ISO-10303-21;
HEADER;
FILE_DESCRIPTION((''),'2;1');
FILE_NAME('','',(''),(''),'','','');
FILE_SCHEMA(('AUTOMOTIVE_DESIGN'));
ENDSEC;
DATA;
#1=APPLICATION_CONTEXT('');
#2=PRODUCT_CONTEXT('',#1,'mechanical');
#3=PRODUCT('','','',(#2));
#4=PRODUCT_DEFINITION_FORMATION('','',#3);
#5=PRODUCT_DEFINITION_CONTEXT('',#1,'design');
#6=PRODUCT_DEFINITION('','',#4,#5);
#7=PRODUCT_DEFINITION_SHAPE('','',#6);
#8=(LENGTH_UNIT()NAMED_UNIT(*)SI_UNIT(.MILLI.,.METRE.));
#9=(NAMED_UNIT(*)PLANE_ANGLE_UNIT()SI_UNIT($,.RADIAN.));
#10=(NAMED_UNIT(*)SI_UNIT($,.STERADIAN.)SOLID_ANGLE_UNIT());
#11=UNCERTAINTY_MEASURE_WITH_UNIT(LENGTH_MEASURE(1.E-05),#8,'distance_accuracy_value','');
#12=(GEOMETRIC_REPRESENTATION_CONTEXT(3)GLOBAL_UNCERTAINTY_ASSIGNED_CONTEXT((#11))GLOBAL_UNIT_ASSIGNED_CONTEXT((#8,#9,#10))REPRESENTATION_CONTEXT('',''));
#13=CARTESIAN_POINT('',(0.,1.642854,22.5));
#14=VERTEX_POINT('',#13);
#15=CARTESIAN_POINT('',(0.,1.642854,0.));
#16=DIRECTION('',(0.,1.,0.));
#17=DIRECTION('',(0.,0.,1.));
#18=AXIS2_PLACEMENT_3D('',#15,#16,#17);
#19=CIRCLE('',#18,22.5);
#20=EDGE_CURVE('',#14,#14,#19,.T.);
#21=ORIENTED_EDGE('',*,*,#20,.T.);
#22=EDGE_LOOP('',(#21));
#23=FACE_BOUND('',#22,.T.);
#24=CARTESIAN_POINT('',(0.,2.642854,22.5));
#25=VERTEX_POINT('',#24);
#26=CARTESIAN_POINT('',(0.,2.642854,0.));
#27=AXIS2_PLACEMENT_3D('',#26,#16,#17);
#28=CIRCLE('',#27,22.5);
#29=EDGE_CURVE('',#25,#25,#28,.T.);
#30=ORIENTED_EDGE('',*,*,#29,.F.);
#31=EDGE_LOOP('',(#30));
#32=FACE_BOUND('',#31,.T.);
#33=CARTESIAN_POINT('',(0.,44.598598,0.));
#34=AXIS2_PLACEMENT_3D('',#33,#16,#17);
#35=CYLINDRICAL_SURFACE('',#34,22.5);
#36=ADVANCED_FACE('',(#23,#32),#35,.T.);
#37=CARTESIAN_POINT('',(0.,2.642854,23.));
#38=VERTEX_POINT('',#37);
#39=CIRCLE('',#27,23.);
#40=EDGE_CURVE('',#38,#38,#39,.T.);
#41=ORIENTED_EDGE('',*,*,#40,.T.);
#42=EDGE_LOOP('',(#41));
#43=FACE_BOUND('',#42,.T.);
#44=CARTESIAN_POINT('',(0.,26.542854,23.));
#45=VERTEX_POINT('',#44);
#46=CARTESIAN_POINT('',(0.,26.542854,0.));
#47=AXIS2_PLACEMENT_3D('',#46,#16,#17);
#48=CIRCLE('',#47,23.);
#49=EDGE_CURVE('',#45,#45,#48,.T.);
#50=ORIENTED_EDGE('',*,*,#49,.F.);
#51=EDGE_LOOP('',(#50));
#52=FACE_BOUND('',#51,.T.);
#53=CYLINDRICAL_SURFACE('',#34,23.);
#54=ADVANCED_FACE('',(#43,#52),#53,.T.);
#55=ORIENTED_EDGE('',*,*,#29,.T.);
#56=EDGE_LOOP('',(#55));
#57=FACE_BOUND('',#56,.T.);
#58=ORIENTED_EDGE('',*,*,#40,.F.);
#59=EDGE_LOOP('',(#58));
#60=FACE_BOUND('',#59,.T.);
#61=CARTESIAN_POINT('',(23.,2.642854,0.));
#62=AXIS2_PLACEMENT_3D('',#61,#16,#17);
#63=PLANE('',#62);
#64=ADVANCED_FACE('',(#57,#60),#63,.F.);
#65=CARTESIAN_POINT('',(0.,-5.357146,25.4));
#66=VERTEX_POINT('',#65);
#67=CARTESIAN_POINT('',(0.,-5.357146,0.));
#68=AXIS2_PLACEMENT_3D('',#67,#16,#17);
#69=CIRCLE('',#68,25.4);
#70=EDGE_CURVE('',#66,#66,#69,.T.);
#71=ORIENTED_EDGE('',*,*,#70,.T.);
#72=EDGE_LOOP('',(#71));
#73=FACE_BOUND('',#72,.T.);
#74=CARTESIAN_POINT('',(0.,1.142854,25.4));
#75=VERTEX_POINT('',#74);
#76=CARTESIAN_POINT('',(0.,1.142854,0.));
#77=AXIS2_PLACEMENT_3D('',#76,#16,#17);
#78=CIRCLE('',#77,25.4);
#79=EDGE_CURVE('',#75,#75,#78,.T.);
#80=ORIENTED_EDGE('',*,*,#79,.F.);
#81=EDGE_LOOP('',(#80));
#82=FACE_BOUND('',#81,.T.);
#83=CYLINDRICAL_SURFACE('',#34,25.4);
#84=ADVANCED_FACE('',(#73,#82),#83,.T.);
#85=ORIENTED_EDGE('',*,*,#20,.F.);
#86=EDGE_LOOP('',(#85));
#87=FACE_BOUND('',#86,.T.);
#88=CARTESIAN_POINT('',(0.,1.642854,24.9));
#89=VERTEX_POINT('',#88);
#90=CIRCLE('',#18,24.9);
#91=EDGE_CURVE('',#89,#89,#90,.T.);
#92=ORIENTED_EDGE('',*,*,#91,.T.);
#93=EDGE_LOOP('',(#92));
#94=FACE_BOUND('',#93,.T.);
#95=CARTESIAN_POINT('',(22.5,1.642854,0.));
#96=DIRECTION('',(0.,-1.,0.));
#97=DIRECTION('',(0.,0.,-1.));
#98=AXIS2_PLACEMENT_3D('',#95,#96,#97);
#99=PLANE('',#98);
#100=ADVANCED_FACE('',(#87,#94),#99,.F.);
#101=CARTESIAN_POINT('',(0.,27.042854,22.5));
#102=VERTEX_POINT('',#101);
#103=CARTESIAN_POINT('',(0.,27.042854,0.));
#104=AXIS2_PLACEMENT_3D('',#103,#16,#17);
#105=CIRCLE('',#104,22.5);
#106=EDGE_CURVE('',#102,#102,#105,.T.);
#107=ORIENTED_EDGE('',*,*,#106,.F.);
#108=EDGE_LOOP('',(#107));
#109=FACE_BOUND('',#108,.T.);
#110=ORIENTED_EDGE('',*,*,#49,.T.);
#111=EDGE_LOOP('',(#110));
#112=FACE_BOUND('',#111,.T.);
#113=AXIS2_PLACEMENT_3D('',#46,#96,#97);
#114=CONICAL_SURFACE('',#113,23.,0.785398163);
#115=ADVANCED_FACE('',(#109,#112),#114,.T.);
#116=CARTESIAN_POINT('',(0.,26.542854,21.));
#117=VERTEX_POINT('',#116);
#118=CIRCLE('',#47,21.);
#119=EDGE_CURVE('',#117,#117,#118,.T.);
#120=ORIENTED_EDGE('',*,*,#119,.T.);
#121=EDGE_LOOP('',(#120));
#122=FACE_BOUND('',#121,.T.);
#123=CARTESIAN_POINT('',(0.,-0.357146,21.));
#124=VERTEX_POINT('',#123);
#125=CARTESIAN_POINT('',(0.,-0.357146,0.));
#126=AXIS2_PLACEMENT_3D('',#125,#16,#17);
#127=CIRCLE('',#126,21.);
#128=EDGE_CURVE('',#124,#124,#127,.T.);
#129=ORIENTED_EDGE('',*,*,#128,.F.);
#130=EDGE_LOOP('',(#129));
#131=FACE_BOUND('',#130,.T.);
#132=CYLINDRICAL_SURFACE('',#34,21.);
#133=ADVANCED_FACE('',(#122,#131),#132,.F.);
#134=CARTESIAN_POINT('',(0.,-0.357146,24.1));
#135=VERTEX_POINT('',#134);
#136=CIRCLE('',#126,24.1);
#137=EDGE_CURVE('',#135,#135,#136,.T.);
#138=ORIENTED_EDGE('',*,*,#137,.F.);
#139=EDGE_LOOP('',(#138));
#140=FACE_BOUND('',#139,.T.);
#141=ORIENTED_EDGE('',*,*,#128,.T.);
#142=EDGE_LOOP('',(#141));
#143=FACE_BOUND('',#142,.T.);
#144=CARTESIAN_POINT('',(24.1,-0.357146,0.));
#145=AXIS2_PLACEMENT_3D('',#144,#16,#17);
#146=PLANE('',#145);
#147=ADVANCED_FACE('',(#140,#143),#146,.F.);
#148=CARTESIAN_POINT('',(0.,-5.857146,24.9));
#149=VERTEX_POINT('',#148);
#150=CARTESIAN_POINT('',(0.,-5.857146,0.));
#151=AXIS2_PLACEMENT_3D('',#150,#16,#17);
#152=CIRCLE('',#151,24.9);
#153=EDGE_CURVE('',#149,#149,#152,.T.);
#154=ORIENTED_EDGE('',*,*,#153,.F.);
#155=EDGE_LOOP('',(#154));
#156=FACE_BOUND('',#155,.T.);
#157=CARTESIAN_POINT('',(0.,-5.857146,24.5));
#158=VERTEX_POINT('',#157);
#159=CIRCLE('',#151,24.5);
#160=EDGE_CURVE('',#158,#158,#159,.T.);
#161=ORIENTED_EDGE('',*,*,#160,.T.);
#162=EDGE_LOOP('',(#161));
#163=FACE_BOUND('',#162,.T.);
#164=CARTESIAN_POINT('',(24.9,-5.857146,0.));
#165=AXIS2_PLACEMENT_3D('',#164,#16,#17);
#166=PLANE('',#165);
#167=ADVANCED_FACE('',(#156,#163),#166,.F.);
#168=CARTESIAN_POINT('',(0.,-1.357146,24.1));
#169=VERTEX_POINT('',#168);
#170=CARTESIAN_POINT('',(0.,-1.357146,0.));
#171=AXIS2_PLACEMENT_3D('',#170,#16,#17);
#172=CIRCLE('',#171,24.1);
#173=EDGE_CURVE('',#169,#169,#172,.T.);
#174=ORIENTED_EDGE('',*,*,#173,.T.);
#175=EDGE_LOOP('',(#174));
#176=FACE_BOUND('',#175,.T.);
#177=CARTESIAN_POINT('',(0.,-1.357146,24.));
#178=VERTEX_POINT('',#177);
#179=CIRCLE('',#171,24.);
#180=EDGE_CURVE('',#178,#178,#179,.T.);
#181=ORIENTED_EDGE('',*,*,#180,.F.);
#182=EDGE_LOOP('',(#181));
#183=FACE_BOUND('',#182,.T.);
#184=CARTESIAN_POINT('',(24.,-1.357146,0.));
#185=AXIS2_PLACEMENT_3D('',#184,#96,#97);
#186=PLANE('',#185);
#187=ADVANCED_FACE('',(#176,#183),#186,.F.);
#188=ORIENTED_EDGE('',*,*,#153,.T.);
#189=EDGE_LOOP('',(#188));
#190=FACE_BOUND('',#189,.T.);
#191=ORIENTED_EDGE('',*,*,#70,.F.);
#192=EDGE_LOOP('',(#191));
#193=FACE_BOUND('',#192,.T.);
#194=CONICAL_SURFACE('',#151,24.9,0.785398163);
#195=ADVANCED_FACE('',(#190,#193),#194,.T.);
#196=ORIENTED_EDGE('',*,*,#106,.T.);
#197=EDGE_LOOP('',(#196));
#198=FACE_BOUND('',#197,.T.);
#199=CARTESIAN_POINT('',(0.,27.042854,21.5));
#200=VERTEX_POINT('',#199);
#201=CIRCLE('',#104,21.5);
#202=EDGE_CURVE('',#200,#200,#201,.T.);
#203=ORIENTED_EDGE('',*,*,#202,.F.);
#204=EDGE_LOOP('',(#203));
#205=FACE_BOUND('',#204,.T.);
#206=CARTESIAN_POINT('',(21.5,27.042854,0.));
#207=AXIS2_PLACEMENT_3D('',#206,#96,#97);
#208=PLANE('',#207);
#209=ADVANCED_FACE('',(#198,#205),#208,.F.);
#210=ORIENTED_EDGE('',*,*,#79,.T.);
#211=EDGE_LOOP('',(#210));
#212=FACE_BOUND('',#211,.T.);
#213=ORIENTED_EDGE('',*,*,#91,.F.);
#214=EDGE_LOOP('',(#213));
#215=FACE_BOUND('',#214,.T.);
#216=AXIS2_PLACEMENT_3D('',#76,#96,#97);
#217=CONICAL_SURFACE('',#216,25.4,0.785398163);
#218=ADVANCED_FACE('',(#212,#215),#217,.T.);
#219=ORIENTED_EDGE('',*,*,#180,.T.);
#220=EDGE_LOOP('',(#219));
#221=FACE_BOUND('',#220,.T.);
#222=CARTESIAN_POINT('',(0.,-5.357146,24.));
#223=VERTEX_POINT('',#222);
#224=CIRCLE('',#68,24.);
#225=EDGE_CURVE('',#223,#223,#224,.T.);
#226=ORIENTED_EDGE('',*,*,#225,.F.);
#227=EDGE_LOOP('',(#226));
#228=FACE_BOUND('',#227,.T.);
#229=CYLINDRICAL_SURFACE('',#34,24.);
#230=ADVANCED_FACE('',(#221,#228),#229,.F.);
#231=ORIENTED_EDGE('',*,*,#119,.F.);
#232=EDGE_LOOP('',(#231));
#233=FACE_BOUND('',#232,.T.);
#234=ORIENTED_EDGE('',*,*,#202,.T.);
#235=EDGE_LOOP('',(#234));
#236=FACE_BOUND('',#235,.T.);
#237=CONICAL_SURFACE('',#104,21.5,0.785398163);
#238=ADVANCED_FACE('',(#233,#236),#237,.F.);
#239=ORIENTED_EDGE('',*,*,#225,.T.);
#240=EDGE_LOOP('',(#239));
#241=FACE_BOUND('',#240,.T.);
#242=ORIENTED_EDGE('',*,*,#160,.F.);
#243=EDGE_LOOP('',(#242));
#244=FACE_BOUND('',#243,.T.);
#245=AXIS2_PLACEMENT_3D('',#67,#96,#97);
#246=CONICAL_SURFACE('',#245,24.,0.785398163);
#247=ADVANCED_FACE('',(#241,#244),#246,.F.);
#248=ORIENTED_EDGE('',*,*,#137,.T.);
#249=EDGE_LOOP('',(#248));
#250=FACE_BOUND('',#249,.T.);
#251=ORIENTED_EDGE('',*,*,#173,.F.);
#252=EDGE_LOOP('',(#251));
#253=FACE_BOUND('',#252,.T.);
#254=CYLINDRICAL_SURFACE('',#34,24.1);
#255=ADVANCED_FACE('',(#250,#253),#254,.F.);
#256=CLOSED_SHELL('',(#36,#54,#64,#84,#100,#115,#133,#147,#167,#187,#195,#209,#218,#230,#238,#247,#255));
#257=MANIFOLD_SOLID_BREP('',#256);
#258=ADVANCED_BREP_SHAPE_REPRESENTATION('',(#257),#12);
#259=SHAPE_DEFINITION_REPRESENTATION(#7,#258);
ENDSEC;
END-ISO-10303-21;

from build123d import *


with BuildPart() as part:
    # 草图1 → 旋转2 (revolve)
    with BuildSketch(Plane.XY, mode=Mode.PRIVATE) as revolve_2_sk:
        Polygon((21.5, 27.042854175), (22.5, 27.042854175), (23, 26.542854175), (23, 2.642854175), (22.5, 2.642854175), (22.5, 1.642854175), (24.9, 1.642854175), (25.4, 1.142854175), (25.4, -5.357145825), (24.9, -5.857145825), (24.5, -5.857145825), (24, -5.357145825), (24, -1.357145825), (24.1, -1.357145825), (24.1, -0.357145825), (21, -0.357145825), (21, 26.542854175), align=None)
    revolve(revolve_2_sk.sketch.rotate(Axis((0, 44.598597745, 0), (0, -1, 0)), 90), axis=Axis((0, 44.598597745, 0), (0, -1, 0)))  # turned: the seam where the file's is


solid = part.part
